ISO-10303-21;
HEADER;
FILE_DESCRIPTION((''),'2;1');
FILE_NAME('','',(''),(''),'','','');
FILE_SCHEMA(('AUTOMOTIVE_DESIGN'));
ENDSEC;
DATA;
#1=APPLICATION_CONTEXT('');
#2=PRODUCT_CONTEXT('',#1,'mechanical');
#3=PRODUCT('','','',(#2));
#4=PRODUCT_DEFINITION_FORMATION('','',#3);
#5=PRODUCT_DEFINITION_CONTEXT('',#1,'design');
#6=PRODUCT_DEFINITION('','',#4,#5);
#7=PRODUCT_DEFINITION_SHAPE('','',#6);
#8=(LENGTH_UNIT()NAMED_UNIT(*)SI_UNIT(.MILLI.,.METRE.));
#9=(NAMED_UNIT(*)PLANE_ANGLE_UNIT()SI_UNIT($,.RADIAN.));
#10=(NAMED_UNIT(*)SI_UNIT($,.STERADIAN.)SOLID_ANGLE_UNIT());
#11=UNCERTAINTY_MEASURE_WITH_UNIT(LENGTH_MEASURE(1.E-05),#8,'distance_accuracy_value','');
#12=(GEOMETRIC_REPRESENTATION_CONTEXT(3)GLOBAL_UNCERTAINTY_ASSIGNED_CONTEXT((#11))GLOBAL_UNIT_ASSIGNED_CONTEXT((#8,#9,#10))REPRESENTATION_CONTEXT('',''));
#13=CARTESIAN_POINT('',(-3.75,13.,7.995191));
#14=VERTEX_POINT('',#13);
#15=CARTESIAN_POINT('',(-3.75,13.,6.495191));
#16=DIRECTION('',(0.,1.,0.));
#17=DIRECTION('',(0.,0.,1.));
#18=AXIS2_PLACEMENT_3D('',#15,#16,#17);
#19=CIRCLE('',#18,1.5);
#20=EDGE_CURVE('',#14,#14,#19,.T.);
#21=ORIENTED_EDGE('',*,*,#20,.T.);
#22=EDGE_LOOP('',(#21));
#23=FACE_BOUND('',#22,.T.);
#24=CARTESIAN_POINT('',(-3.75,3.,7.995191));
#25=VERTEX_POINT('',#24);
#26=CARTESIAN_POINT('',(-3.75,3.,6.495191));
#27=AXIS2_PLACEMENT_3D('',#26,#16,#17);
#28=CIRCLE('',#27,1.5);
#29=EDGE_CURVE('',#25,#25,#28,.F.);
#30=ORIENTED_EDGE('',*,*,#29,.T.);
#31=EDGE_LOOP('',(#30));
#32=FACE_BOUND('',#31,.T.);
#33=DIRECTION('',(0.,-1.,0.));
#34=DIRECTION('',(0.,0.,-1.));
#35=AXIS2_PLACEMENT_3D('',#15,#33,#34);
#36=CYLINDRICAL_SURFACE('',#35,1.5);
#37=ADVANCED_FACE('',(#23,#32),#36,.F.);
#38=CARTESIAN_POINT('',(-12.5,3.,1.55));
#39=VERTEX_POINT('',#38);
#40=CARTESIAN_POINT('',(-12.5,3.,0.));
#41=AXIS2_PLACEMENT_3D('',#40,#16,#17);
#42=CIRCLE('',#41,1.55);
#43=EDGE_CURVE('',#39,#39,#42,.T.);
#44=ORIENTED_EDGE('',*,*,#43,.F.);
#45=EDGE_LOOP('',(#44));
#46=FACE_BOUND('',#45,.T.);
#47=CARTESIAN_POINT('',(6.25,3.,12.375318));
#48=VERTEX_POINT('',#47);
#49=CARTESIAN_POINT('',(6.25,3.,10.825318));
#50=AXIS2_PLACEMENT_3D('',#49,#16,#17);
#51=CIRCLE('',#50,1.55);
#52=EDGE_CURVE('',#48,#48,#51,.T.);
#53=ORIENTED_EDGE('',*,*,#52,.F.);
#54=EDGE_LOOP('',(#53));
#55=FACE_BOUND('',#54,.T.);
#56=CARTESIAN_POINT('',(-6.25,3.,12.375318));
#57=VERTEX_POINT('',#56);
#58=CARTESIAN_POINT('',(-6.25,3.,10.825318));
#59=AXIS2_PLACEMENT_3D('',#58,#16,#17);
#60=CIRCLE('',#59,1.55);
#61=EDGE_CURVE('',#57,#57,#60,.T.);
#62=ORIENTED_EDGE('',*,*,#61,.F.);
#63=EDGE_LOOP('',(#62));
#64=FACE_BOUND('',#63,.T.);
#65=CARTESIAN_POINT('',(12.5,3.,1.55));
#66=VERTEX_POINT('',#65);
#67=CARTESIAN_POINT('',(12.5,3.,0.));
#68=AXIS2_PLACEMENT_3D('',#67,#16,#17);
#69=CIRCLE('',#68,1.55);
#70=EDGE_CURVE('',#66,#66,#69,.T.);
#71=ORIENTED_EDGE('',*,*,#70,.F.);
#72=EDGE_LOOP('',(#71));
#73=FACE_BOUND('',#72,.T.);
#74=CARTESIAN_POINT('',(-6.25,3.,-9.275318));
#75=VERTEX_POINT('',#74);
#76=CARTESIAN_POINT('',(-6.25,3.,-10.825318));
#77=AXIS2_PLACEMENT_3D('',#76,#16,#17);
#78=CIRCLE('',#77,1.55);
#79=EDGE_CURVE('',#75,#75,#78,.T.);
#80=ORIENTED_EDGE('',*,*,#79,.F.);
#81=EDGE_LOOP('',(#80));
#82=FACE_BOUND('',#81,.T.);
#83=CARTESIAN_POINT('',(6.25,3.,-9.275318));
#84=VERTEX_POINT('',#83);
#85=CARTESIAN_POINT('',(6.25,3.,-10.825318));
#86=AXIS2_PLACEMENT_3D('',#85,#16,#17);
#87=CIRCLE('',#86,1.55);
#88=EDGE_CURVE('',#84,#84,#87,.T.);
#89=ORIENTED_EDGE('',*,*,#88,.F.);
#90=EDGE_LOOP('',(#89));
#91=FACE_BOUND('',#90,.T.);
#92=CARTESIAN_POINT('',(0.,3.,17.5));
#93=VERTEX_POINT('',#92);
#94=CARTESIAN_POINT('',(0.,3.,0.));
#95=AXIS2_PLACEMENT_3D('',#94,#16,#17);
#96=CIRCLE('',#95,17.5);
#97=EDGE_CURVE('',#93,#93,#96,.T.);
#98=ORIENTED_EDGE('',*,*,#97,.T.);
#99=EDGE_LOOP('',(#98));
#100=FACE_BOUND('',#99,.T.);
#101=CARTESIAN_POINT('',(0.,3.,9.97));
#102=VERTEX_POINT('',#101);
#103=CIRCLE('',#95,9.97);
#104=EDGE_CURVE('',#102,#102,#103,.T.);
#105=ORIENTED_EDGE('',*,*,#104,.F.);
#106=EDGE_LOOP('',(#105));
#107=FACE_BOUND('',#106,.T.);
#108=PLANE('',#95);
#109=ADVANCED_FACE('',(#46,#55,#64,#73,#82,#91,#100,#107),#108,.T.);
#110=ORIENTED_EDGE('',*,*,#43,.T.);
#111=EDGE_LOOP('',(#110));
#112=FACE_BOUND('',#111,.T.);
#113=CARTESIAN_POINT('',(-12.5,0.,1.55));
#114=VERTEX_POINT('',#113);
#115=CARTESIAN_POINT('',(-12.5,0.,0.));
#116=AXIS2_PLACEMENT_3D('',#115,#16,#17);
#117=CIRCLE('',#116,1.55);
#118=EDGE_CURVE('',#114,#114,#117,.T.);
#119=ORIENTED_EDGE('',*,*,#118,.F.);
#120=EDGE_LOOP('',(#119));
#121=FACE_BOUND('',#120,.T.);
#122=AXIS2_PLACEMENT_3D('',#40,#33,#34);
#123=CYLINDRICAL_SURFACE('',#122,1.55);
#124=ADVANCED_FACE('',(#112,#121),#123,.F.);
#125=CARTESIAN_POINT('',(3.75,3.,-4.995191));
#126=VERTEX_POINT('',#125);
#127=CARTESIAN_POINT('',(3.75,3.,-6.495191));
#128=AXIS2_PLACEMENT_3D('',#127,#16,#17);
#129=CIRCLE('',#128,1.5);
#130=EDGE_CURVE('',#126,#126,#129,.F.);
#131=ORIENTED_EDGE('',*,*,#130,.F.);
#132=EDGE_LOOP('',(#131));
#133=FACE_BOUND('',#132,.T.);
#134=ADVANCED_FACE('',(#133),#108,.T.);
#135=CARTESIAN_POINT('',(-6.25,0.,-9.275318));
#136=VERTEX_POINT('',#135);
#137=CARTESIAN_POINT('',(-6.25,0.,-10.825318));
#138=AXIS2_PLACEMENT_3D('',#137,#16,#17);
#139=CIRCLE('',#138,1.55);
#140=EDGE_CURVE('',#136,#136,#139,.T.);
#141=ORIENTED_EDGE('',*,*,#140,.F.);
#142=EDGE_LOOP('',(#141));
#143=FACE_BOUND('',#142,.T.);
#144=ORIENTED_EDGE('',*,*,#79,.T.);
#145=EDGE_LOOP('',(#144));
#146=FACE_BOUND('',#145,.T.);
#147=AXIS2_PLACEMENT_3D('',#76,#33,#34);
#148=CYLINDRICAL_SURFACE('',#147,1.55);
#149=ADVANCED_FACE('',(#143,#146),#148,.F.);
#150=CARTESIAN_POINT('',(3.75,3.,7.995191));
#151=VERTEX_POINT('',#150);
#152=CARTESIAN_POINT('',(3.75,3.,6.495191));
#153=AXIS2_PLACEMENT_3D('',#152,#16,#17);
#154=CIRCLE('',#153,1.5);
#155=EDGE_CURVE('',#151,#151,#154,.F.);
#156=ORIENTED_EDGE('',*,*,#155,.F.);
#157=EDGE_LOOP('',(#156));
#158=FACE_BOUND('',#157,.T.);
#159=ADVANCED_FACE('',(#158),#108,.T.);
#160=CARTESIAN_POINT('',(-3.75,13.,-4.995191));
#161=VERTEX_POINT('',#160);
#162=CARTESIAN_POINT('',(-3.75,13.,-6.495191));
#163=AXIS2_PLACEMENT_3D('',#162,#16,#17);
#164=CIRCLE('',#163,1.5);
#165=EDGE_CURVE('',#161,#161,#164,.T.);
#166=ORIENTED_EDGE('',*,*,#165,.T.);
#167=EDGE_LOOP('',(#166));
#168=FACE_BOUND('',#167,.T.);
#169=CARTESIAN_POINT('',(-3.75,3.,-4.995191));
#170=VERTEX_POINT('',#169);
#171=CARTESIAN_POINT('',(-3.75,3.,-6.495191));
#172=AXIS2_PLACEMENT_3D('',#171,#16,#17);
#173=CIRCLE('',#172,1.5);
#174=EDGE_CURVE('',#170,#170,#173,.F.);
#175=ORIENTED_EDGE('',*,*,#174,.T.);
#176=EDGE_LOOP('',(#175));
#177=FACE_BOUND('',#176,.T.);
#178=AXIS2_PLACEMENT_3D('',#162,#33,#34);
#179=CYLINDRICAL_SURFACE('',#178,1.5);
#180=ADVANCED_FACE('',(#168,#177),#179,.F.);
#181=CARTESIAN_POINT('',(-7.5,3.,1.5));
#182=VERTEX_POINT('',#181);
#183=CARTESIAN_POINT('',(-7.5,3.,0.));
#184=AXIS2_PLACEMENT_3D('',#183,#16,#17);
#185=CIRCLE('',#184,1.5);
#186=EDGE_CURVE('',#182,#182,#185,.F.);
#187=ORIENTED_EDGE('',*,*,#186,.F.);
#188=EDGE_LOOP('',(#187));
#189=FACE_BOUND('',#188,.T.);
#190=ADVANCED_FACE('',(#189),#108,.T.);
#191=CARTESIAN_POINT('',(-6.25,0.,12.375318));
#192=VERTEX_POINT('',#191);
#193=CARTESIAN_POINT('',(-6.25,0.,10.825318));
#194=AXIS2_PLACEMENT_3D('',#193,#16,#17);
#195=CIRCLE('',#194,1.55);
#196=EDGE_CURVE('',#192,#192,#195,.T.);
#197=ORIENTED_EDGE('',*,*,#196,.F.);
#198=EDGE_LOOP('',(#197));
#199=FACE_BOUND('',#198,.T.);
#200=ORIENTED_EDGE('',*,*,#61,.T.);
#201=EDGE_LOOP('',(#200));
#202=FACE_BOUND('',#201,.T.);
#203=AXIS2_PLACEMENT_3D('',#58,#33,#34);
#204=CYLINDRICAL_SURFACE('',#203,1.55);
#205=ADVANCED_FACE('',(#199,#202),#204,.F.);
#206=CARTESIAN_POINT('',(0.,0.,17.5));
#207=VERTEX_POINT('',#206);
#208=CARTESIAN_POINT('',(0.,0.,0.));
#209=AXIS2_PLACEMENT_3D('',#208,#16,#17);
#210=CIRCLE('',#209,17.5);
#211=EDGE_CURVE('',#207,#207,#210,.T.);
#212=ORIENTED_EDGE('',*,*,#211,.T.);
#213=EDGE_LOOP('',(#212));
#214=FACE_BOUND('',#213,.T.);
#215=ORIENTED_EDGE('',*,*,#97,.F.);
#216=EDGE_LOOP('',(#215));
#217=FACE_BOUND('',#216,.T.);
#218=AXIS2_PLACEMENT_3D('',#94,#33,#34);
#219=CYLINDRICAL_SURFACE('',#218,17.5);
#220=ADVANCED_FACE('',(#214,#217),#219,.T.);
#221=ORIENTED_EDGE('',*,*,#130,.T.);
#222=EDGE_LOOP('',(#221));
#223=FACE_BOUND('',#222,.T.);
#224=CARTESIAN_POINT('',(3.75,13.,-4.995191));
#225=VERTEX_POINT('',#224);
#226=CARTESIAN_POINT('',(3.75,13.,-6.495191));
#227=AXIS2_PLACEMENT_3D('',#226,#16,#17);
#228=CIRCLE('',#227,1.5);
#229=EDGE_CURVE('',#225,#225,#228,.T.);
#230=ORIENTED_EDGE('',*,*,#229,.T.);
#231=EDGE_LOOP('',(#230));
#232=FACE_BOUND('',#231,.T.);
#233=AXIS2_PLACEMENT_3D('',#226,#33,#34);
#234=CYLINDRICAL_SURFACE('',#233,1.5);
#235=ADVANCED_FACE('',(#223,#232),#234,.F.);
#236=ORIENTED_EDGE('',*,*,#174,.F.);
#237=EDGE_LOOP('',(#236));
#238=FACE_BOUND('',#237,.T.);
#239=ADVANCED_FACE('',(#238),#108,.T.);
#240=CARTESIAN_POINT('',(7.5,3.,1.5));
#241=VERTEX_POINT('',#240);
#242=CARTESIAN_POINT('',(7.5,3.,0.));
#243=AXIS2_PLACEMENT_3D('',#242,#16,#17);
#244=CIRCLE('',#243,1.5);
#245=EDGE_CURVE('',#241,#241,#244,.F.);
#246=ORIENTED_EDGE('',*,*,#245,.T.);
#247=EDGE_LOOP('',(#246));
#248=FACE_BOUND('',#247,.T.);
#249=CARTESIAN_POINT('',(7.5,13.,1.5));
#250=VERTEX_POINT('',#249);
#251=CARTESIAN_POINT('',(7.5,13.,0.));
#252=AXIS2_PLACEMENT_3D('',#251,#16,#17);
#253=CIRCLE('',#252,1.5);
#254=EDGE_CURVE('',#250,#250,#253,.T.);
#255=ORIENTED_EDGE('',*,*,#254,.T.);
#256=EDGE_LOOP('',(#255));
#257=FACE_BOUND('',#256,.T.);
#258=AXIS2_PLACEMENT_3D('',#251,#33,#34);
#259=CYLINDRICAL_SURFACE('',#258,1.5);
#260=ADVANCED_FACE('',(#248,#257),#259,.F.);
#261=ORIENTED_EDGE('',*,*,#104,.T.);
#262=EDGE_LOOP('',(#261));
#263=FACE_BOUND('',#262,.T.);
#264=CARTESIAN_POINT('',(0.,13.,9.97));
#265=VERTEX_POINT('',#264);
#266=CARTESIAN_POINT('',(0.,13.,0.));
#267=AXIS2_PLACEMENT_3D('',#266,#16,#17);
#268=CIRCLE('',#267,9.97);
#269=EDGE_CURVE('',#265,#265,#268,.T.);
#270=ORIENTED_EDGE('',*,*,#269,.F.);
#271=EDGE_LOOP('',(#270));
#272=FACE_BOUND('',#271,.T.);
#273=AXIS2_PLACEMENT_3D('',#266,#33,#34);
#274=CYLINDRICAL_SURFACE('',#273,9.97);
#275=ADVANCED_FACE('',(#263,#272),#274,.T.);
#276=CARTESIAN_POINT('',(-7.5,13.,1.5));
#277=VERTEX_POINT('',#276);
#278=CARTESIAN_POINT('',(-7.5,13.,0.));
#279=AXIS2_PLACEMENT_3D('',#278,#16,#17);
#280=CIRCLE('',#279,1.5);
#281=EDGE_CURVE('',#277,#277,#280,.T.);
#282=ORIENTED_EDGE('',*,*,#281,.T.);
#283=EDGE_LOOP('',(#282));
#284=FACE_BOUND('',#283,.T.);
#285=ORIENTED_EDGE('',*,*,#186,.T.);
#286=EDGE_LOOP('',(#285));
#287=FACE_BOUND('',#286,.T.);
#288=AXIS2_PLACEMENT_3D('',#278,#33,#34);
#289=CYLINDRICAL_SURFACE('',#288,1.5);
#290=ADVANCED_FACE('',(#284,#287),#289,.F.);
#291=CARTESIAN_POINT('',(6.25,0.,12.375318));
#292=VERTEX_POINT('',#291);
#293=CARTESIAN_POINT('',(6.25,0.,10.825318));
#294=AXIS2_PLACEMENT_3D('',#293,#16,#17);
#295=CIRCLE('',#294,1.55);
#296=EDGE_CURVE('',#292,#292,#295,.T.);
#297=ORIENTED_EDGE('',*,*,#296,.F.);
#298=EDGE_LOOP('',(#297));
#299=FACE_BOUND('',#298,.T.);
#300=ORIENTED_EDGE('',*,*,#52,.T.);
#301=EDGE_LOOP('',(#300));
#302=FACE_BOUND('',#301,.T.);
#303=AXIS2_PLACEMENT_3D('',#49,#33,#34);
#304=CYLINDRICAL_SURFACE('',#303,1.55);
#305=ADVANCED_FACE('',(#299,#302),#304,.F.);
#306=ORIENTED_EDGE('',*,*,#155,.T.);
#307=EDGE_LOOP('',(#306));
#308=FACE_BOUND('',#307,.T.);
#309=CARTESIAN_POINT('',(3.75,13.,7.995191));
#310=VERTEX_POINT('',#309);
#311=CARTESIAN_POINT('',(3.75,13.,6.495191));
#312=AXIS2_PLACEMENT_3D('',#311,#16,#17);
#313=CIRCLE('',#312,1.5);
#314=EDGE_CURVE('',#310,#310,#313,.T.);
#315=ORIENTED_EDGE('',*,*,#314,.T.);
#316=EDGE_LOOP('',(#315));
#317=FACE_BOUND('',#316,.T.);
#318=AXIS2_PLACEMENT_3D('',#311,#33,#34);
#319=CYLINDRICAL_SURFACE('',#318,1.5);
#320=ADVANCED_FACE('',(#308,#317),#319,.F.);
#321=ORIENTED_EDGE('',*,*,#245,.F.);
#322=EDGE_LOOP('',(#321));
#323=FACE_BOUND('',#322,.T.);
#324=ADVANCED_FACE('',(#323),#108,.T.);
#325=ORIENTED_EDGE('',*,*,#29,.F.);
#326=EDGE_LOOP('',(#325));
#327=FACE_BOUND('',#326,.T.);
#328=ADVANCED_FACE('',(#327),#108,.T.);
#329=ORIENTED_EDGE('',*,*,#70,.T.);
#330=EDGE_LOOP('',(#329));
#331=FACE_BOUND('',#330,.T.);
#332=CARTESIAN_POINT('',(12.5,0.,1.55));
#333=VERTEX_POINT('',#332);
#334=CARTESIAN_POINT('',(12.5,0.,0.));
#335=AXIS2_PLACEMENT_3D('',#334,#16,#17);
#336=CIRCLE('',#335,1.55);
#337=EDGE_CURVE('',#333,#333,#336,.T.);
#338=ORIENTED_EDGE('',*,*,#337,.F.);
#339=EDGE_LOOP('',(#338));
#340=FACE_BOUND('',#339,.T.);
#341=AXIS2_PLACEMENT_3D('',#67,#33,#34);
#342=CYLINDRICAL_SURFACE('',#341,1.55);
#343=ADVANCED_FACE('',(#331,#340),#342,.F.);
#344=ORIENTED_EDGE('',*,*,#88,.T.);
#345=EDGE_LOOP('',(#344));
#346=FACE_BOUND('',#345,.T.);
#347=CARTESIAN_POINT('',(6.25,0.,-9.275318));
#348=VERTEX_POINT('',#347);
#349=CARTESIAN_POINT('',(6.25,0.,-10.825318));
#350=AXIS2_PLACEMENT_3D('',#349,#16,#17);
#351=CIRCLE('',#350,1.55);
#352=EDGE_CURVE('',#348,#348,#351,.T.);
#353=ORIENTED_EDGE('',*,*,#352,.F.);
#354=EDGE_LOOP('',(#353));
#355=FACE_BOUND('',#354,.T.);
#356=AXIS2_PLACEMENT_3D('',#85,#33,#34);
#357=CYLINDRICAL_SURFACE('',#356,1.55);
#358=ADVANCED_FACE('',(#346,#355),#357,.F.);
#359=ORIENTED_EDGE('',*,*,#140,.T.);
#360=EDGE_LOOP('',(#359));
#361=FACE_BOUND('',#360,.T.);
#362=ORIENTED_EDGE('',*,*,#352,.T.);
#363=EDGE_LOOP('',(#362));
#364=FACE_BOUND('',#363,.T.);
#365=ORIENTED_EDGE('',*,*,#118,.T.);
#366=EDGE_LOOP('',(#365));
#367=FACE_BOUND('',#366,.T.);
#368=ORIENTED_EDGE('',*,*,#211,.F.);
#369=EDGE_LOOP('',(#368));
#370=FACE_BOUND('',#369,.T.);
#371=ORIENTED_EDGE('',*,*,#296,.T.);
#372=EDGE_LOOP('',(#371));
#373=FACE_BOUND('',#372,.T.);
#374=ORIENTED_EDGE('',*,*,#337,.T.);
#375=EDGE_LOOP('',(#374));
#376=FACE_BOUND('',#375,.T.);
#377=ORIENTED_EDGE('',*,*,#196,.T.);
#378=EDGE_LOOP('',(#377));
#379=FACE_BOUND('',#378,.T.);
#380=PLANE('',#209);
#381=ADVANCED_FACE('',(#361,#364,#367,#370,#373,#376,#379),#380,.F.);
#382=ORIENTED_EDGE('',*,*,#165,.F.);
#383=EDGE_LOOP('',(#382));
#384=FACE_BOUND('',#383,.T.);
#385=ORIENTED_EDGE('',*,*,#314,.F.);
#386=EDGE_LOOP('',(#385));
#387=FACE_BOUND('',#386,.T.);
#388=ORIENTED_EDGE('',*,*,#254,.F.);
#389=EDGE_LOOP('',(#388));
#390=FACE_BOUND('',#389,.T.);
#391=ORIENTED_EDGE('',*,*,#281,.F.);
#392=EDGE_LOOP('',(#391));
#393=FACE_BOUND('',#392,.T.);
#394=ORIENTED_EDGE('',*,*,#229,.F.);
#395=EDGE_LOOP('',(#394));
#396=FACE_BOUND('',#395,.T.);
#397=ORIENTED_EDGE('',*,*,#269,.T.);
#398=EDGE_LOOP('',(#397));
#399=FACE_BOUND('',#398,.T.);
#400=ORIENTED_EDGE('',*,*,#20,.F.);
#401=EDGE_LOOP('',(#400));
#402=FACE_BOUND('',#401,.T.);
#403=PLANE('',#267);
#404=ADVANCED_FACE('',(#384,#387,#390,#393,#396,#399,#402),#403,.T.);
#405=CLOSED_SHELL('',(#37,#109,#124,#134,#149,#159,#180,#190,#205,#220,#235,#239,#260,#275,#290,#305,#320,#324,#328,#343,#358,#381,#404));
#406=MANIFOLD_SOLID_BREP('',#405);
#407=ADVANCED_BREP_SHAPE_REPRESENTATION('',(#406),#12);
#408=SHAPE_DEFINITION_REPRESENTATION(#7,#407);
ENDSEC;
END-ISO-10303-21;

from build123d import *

# Parameters (mm, degrees)
CROQUIS1_R              = 17.5
CROQUIS1_R_2            = 1.55
SALIENTE_EXTRUIR1_DEPTH = 3
CROQUIS2_R              = 9.97
CROQUIS2_R_2            = 1.5
SALIENTE_EXTRUIR2_DEPTH = 10


with BuildPart() as part:
    # Croquis1 → Saliente-Extruir1 (new body)
    with BuildSketch(Plane(origin=(0, 0, 0), x_dir=(1, 0, 0), z_dir=(0, 1, 0))):
        with Locations(Location((0, 0, 0), (0, 0, 270))):
            Circle(CROQUIS1_R)
        with Locations(Location((12.5, 0, 0), (0, 0, 270))):
            Circle(CROQUIS1_R_2, mode=Mode.SUBTRACT)
        with Locations(Location((6.25, -10.825317547, 0), (0, 0, 270))):
            Circle(CROQUIS1_R_2, mode=Mode.SUBTRACT)
        with Locations(Location((-6.25, -10.825317547, 0), (0, 0, 270))):
            Circle(CROQUIS1_R_2, mode=Mode.SUBTRACT)
        with Locations(Location((-12.5, 0, 0), (0, 0, 270))):
            Circle(CROQUIS1_R_2, mode=Mode.SUBTRACT)
        with Locations(Location((-6.25, 10.825317547, 0), (0, 0, 270))):
            Circle(CROQUIS1_R_2, mode=Mode.SUBTRACT)
        with Locations(Location((6.25, 10.825317547, 0), (0, 0, 270))):
            Circle(CROQUIS1_R_2, mode=Mode.SUBTRACT)
    extrude(amount=SALIENTE_EXTRUIR1_DEPTH)

    # Croquis2 → Saliente-Extruir2 (add)
    with BuildSketch(Plane(origin=(0, 3, 0), x_dir=(1, 0, 0), z_dir=(0, 1, 0))):
        with Locations(Location((0, 0, 0), (0, 0, 270))):
            Circle(CROQUIS2_R)
        with Locations(Location((7.5, 0, 0), (0, 0, 270))):
            Circle(CROQUIS2_R_2, mode=Mode.SUBTRACT)
        with Locations(Location((3.75, -6.495190528, 0), (0, 0, 270))):
            Circle(CROQUIS2_R_2, mode=Mode.SUBTRACT)
        with Locations(Location((-3.75, -6.495190528, 0), (0, 0, 270))):
            Circle(CROQUIS2_R_2, mode=Mode.SUBTRACT)
        with Locations(Location((-7.5, 0, 0), (0, 0, 270))):
            Circle(CROQUIS2_R_2, mode=Mode.SUBTRACT)
        with Locations(Location((-3.75, 6.495190528, 0), (0, 0, 270))):
            Circle(CROQUIS2_R_2, mode=Mode.SUBTRACT)
        with Locations(Location((3.75, 6.495190528, 0), (0, 0, 270))):
            Circle(CROQUIS2_R_2, mode=Mode.SUBTRACT)
    extrude(amount=SALIENTE_EXTRUIR2_DEPTH)


solid = part.part
